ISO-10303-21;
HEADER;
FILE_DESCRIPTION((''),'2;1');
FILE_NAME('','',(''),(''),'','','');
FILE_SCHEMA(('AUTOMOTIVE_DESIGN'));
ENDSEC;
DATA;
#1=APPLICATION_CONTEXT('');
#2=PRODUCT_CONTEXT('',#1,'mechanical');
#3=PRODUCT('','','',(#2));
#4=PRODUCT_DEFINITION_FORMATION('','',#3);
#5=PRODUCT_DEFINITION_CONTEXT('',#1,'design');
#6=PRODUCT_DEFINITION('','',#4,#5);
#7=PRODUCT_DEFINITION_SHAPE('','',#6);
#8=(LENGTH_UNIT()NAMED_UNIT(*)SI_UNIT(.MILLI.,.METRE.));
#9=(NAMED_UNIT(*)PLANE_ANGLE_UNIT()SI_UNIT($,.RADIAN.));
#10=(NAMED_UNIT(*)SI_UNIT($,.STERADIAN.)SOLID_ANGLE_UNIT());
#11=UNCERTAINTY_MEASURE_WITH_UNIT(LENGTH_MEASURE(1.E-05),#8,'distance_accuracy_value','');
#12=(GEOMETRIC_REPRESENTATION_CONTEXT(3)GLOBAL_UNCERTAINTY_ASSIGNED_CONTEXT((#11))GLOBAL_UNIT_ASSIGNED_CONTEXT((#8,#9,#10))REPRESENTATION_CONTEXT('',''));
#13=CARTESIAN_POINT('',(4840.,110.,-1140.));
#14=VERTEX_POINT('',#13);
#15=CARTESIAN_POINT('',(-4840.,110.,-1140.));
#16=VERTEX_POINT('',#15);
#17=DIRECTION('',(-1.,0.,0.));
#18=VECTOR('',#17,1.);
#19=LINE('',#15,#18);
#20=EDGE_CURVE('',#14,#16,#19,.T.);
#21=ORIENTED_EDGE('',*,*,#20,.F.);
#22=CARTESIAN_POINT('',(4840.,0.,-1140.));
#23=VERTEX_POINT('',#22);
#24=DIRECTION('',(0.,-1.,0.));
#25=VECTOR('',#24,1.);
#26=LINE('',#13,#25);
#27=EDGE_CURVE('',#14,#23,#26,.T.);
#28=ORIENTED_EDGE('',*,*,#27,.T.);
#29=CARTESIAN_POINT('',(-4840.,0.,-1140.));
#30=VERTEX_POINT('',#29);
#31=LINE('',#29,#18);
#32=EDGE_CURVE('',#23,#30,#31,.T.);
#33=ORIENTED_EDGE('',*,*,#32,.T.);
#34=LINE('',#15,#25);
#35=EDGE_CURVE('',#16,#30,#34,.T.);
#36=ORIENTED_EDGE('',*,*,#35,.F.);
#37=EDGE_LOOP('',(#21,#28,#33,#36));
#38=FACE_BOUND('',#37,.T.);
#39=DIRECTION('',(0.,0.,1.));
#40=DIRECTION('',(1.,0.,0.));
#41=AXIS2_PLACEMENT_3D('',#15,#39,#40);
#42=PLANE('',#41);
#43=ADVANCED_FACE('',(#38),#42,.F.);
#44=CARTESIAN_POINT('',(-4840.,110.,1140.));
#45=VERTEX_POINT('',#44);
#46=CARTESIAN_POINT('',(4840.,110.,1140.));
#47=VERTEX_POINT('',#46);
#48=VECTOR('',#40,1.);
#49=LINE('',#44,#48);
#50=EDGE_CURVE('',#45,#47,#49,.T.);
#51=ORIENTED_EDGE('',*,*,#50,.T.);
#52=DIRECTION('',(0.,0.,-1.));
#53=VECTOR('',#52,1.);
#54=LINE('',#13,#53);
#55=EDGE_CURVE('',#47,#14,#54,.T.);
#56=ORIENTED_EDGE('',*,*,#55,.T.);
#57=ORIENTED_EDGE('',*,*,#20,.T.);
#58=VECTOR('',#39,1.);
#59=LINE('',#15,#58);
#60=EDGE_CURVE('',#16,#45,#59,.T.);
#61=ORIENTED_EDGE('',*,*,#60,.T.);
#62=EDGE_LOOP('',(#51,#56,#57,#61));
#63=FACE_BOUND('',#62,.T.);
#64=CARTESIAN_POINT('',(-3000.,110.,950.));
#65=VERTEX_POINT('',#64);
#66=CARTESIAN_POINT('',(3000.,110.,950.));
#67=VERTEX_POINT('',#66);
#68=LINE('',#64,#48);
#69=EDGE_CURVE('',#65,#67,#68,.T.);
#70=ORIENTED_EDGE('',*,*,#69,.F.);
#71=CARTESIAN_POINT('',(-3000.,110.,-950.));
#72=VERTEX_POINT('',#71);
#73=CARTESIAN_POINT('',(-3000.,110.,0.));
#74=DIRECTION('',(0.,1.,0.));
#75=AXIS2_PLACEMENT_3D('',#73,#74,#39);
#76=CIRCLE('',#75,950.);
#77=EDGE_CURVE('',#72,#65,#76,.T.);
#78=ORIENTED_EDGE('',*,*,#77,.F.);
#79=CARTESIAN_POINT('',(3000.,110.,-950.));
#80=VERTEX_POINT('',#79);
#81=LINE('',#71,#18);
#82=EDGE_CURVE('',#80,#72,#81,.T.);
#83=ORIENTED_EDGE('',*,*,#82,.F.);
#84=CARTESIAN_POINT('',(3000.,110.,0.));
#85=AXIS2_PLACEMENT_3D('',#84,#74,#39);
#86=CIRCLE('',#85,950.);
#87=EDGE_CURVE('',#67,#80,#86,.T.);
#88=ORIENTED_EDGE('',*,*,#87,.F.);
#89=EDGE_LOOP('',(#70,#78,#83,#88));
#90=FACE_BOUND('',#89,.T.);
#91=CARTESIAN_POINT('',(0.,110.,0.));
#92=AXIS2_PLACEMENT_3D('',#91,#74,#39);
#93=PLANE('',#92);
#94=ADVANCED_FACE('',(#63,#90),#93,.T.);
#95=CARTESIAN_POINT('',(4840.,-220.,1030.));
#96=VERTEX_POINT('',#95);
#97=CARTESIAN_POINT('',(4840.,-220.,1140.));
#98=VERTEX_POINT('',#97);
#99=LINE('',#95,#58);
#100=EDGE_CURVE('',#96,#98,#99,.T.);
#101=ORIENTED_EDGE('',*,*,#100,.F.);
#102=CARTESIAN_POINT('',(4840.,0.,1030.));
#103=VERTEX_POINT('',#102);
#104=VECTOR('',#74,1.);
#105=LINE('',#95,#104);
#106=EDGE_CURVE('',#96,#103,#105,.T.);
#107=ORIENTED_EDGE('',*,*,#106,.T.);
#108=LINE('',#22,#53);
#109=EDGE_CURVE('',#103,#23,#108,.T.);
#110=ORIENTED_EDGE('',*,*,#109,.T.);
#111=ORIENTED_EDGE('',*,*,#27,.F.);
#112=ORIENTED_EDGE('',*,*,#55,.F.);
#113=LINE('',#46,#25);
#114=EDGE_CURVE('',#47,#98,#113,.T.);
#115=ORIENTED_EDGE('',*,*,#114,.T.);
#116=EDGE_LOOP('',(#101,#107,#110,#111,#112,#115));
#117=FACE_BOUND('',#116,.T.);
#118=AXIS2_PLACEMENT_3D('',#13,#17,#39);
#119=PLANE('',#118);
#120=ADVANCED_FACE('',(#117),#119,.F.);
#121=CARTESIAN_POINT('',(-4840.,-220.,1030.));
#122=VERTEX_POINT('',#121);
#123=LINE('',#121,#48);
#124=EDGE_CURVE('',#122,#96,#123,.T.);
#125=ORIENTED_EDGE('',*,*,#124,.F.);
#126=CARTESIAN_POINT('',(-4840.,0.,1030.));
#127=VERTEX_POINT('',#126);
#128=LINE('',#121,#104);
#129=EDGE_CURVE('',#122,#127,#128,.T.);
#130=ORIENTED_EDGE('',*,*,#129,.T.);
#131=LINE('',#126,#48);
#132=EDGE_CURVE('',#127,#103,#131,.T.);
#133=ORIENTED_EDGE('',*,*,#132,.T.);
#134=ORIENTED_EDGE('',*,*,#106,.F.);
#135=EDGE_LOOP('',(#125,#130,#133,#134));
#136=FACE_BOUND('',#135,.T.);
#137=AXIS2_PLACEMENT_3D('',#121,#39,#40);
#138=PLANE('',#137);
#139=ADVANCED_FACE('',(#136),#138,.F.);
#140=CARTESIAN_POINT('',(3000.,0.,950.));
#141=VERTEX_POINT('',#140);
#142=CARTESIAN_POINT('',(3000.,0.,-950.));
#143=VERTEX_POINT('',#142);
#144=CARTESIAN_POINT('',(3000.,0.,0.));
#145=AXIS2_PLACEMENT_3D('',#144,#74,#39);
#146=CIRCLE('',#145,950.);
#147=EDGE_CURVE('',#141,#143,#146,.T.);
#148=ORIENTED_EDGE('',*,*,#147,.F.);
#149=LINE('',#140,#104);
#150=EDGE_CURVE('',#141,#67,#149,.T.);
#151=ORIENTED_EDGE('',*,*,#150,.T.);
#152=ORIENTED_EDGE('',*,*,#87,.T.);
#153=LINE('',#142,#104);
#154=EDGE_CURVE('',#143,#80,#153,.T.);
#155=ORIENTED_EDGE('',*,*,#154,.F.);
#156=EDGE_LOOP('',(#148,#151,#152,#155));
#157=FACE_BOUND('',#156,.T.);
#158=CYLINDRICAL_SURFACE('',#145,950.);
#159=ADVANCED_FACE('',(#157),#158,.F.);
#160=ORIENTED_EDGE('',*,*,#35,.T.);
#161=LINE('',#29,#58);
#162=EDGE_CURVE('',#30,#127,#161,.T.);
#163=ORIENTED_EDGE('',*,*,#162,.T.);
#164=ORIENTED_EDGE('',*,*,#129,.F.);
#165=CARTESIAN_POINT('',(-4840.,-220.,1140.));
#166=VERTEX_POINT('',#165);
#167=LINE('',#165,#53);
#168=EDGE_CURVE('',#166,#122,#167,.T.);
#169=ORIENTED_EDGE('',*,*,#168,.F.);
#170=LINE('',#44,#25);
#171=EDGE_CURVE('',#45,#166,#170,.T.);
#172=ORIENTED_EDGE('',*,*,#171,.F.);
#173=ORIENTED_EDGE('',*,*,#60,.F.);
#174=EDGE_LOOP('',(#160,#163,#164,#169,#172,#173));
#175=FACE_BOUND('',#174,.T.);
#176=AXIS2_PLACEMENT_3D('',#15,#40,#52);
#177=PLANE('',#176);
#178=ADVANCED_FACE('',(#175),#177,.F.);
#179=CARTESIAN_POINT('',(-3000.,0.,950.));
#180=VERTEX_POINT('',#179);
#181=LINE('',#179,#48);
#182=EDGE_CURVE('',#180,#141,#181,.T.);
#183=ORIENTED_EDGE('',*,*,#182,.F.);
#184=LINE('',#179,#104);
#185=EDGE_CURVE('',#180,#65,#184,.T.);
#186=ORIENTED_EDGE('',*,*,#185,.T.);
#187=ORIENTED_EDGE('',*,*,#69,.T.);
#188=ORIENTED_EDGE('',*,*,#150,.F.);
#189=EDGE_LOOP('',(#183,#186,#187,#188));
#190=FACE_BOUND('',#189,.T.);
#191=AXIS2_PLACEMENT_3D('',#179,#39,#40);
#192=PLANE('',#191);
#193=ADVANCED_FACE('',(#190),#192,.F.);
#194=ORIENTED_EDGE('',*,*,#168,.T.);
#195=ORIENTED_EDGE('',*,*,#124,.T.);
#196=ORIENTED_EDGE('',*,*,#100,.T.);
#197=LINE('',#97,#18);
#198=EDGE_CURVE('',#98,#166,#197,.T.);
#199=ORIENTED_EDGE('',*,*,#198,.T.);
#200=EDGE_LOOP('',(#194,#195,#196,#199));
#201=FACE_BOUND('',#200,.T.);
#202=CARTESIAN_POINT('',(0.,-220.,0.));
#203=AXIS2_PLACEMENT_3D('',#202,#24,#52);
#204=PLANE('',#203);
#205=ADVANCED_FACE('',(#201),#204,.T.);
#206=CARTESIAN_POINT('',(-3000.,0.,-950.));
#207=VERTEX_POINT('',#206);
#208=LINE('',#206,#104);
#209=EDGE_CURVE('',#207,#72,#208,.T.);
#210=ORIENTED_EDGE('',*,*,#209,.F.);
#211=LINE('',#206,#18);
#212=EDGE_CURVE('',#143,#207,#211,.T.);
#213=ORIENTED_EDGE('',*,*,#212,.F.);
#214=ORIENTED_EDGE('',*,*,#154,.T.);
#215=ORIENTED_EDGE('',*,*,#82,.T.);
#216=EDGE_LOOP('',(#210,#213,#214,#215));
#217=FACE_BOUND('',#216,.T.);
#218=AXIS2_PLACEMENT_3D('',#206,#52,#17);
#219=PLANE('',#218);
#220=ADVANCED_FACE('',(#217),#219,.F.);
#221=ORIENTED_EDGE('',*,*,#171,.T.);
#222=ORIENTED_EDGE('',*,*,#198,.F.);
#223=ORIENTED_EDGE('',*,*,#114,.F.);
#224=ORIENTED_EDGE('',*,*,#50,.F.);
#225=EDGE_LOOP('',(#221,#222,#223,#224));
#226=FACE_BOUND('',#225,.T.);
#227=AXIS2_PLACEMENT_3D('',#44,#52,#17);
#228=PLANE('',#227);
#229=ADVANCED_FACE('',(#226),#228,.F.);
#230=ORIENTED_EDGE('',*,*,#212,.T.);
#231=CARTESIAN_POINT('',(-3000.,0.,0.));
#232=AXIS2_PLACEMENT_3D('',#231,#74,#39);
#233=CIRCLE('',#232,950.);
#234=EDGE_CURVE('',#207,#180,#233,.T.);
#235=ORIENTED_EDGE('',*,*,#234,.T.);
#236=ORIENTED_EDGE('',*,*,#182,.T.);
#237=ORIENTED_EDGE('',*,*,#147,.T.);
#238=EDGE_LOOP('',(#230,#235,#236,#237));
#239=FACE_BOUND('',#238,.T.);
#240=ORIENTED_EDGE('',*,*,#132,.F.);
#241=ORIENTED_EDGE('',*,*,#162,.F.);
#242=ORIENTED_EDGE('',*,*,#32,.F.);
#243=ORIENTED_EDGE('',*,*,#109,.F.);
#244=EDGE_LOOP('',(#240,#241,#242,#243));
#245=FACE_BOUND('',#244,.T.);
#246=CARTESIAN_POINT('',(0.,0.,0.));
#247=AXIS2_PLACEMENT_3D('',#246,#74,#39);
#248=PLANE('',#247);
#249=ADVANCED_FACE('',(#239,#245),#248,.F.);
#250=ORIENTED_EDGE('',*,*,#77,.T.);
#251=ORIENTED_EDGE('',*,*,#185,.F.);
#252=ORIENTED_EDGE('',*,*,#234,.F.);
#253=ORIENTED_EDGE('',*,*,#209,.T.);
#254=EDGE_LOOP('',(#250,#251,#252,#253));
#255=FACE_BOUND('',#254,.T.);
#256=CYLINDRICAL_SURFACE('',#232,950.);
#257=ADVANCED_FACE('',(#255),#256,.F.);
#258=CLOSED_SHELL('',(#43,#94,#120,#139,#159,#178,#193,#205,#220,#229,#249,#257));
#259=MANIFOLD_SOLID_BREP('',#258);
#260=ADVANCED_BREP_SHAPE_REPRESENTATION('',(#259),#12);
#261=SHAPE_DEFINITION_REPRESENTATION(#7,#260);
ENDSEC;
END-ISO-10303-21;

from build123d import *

# Parameters (mm, degrees)
SKETCH1_W           = 9680
SKETCH1_H           = 2280
BOSS_EXTRUDE1_DEPTH = 110
CUT_EXTRUDE1_DEPTH  = 110
SKETCH4_W           = 9680
SKETCH4_H           = 110
BOSS_EXTRUDE3_DEPTH = 220


with BuildPart() as part:
    # Sketch1 → Boss-Extrude1 (new body)
    with BuildSketch(Plane(origin=(0, 0, 0), x_dir=(1, 0, 0), z_dir=(0, 1, 0))):
        Rectangle(SKETCH1_W, SKETCH1_H)
    extrude(amount=BOSS_EXTRUDE1_DEPTH)

    # Sketch2 → Cut-Extrude1 (cut)
    with BuildSketch(Plane(origin=(0, 110, 0), x_dir=(1, 0, 0), z_dir=(0, 1, 0))):
        with BuildLine():
            Line((-3000, 950), (3000, 950))
            ThreePointArc((3000, 950), (3950, 0), (3000, -950))
            Line((3000, -950), (-3000, -950))
            ThreePointArc((-3000, -950), (-3950, 0), (-3000, 950))
        make_face()
    extrude(amount=-CUT_EXTRUDE1_DEPTH, mode=Mode.SUBTRACT)

    # Sketch4 → Boss-Extrude3 (add)
    with BuildSketch(Plane.XZ):
        with Locations((0, 1085)):
            Rectangle(SKETCH4_W, SKETCH4_H)
    extrude(amount=BOSS_EXTRUDE3_DEPTH)


solid = part.part
